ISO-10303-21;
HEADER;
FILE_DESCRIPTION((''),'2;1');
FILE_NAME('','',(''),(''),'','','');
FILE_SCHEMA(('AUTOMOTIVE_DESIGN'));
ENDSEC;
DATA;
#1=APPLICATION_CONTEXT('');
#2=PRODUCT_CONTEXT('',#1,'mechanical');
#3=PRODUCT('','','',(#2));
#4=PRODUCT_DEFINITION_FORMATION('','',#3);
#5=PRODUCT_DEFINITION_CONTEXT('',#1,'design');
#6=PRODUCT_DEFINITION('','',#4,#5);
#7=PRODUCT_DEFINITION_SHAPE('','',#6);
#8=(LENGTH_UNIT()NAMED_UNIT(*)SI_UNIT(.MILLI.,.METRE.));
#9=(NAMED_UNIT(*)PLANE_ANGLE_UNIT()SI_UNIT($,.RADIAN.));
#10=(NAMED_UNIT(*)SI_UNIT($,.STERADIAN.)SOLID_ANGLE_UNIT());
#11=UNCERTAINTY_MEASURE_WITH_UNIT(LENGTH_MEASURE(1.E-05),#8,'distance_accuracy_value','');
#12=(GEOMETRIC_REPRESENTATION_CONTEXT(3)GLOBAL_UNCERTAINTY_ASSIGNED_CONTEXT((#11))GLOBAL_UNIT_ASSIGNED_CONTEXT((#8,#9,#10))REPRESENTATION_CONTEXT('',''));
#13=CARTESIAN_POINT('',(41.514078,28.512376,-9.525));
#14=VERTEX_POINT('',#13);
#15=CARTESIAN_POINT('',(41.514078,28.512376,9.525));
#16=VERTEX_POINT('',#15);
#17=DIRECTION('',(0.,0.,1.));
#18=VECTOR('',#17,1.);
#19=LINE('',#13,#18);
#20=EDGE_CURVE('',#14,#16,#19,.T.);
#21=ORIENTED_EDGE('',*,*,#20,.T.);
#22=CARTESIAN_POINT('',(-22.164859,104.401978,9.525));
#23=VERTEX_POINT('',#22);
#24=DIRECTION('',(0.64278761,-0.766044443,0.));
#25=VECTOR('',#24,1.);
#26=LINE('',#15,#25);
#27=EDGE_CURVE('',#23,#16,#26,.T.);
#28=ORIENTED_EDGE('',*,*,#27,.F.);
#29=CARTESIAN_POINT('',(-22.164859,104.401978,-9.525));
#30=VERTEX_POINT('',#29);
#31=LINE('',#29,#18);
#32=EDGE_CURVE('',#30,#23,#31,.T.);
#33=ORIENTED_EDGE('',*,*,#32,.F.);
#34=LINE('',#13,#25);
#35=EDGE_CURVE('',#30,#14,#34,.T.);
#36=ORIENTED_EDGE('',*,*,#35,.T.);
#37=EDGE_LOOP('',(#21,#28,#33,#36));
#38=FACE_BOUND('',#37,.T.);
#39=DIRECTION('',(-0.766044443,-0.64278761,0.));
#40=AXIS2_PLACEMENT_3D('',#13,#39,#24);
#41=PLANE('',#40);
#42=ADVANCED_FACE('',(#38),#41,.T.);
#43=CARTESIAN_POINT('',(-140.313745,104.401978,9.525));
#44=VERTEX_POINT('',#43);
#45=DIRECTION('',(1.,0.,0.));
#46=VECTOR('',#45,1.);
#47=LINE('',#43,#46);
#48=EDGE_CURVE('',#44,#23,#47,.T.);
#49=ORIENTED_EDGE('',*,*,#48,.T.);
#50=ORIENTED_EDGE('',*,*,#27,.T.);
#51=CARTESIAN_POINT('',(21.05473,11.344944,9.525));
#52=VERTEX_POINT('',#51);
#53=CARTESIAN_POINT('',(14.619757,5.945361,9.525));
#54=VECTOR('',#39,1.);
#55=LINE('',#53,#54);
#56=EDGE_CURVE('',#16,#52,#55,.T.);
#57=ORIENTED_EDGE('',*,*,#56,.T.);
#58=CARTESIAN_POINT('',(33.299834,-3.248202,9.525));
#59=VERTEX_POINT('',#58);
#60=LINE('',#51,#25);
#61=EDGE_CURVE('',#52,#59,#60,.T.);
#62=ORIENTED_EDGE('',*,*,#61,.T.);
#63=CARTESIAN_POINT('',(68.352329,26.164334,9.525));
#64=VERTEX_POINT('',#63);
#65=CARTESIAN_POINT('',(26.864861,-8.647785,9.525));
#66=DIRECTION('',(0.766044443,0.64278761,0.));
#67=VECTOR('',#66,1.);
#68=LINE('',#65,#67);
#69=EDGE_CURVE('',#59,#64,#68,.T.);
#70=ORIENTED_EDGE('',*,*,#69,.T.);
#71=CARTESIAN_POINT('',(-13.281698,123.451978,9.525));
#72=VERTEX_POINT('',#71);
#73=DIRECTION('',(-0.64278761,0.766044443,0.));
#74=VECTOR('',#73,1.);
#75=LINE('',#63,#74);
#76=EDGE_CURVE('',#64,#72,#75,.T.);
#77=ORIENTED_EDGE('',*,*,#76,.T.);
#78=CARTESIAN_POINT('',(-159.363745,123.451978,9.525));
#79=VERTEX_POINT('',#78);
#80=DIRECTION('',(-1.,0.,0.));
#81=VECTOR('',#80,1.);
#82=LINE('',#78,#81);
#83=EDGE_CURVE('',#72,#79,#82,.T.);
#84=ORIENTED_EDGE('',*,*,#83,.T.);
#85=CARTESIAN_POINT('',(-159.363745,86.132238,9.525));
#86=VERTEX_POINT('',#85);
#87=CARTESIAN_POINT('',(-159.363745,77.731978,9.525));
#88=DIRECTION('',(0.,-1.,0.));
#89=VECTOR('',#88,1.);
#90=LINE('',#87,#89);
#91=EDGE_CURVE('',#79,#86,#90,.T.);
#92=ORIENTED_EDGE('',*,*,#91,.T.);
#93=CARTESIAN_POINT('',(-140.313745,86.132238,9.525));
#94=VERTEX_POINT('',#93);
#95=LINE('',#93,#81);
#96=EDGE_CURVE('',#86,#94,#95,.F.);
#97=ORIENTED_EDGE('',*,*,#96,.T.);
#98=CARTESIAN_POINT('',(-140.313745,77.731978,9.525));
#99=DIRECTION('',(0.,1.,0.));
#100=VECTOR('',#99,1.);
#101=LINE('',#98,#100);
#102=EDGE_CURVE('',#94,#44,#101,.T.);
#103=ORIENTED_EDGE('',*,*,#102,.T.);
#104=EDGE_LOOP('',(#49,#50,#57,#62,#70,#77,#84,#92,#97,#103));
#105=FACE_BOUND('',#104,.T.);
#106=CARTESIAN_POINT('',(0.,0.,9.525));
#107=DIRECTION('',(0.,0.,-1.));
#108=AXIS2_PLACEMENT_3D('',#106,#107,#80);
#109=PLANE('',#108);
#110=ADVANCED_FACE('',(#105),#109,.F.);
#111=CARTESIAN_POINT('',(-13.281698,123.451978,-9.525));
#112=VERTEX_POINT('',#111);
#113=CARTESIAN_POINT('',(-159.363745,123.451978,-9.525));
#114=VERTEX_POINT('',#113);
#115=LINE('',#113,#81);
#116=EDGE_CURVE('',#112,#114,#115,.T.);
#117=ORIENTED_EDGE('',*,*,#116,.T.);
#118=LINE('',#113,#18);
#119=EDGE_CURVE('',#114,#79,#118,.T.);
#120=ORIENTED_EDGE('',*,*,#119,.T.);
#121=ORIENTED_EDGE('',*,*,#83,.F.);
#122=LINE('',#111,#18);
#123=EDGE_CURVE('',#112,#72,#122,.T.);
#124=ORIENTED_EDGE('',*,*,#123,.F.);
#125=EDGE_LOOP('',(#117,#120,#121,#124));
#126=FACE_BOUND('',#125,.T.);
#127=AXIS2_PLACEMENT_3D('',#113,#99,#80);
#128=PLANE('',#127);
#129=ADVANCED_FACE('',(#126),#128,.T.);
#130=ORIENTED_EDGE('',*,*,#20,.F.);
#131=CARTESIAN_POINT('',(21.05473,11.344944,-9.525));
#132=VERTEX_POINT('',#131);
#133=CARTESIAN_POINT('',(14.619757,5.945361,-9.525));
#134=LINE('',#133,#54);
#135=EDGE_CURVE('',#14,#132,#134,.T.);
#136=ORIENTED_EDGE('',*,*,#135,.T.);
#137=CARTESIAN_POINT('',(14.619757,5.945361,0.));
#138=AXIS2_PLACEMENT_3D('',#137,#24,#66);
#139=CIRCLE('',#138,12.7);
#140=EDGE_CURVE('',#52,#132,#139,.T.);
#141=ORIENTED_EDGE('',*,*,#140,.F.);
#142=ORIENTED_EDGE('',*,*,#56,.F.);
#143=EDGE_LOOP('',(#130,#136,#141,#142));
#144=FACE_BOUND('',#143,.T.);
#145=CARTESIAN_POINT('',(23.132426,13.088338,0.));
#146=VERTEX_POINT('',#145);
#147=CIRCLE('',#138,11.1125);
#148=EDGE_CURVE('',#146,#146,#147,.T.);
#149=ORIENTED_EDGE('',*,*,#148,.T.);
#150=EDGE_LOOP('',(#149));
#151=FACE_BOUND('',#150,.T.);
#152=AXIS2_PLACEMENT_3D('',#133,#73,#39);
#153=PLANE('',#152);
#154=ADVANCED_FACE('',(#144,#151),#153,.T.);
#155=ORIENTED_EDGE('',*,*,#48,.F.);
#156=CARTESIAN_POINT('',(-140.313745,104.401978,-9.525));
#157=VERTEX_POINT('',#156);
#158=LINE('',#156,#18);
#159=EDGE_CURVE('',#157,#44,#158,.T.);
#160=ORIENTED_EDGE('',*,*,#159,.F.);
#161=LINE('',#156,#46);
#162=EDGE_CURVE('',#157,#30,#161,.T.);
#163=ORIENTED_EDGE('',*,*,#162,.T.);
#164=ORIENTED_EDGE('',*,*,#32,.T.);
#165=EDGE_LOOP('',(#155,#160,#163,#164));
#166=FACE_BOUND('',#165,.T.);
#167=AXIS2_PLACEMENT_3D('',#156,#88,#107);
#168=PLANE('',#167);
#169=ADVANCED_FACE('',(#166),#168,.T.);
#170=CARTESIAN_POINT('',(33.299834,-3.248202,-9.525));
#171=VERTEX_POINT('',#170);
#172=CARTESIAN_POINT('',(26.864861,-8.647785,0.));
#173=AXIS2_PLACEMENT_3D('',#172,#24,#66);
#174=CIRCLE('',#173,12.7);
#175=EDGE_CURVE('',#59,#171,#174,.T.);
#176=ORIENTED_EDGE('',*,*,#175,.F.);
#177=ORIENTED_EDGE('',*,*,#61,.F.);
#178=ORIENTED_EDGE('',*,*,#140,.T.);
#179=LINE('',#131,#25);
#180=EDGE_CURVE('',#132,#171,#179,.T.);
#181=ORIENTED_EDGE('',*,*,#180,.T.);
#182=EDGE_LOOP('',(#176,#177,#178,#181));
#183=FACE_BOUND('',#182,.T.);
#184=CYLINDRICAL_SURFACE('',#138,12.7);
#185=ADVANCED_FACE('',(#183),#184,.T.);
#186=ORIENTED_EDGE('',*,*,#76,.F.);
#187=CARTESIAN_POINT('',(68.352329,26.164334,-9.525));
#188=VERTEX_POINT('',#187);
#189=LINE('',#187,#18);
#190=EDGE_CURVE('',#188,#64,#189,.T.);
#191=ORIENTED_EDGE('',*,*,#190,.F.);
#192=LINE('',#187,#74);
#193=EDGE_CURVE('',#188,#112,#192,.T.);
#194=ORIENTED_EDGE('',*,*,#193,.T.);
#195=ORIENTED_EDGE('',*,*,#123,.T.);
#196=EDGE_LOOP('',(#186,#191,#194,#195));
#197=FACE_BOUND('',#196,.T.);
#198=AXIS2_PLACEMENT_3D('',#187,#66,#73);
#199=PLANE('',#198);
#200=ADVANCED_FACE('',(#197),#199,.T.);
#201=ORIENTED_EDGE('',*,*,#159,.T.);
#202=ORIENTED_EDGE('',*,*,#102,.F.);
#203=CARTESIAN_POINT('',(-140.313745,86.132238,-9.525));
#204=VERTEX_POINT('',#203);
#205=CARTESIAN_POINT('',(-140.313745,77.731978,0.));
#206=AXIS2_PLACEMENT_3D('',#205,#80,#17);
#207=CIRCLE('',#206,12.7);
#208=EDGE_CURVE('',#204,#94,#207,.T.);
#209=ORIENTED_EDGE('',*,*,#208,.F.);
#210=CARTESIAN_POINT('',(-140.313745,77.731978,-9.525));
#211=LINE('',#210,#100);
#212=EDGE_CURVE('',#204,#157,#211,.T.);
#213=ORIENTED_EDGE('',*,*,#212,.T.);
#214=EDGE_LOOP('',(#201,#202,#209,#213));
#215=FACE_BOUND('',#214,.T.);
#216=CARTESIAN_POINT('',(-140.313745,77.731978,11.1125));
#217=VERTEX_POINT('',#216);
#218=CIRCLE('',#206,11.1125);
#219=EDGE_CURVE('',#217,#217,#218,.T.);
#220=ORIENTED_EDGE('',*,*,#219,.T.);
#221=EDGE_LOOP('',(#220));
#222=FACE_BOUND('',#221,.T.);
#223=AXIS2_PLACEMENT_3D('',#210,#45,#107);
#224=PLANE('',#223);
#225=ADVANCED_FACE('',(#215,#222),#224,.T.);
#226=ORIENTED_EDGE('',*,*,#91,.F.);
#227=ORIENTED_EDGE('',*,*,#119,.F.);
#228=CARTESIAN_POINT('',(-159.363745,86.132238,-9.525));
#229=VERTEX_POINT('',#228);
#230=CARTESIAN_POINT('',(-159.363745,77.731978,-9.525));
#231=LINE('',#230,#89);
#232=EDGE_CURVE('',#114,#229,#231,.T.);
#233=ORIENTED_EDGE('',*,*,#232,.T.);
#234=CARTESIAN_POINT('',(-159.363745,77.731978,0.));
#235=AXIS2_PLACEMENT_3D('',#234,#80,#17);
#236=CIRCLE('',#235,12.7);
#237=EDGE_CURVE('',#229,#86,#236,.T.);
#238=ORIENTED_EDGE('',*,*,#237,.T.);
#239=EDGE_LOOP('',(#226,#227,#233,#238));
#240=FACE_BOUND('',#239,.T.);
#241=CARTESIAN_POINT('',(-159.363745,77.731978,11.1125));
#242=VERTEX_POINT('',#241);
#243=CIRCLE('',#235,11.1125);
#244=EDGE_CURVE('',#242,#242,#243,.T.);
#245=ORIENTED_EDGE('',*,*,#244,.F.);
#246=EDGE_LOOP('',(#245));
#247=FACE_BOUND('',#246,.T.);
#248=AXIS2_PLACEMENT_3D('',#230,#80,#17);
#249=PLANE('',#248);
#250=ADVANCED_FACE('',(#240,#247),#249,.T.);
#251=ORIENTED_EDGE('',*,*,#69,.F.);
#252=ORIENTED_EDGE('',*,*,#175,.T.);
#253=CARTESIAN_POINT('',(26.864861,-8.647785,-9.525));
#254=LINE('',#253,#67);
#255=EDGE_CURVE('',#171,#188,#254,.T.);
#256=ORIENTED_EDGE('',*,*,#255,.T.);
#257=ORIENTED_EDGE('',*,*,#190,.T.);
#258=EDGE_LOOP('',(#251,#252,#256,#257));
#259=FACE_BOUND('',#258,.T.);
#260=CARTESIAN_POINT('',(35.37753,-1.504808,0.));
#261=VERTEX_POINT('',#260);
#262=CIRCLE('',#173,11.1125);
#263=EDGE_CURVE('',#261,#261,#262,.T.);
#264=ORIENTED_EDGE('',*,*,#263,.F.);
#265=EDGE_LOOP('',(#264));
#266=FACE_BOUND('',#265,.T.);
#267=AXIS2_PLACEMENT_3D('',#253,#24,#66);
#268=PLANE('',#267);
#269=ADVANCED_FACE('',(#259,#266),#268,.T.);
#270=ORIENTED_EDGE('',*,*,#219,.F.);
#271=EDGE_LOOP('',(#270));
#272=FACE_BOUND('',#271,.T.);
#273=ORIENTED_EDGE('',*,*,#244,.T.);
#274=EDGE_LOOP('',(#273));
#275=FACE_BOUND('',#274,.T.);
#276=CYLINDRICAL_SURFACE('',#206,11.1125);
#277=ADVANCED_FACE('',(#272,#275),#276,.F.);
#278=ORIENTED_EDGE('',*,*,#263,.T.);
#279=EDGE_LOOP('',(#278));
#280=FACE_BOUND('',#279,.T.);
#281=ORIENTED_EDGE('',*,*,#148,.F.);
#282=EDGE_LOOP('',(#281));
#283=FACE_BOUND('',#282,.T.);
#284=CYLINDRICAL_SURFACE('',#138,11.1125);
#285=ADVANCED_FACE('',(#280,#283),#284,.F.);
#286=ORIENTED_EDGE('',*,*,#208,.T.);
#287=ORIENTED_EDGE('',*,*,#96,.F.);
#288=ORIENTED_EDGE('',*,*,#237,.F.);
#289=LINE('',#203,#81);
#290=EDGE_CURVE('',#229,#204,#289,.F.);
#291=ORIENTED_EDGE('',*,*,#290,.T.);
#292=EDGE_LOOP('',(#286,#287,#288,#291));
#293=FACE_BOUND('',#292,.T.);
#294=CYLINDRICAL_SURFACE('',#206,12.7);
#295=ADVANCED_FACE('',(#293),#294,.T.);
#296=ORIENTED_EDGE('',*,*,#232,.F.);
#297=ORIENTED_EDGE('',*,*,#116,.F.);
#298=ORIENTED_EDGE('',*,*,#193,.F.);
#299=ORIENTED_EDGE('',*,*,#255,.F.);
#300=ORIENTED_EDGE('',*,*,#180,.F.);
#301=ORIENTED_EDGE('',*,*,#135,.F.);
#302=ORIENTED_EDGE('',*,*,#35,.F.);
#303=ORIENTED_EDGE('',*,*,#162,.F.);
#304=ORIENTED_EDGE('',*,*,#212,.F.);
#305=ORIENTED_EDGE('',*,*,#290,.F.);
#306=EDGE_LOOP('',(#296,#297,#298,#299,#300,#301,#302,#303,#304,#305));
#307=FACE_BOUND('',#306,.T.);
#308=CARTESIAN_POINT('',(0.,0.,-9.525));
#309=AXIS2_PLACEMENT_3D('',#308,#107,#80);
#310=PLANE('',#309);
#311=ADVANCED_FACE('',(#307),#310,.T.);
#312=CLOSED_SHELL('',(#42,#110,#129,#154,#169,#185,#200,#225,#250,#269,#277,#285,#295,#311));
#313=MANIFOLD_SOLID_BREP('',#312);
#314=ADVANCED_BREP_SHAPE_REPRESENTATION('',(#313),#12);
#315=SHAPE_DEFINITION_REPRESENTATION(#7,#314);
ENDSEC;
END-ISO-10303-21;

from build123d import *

# Parameters (mm, degrees)
BOSS_EXTRUDE1_DEPTH      = 9.525
BOSS_EXTRUDE1_DEPTH_BACK = 9.525
SKETCH2_R                = 12.7
BOSS_EXTRUDE2_DEPTH      = 19.05
SKETCH3_R                = 12.7
BOSS_EXTRUDE3_DEPTH      = 19.05
SKETCH4_R                = 11.1125
CUT_EXTRUDE1_DEPTH       = 19.05
SKETCH5_R                = 11.1125
CUT_EXTRUDE2_DEPTH       = 19.05


with BuildPart() as part:
    # Sketch1 → Boss-Extrude1 (new, two sides: drawn at the far end of the back side and taken through both)
    with BuildSketch(Plane.XY.offset(-BOSS_EXTRUDE1_DEPTH_BACK)):
        Polygon((14.619756732, 5.945361145), (41.514078034, 28.51237623), (-22.164858678, 104.401977829), (-140.313745495, 104.401977829), (-140.313745495, 77.731977829), (-159.363745495, 77.731977829), (-159.363745495, 123.451977829), (-13.281697791, 123.451977829), (68.35232864, 26.164333553), (26.864860696, -8.647785497), align=None)
    extrude(amount=BOSS_EXTRUDE1_DEPTH + BOSS_EXTRUDE1_DEPTH_BACK)

    # Sketch2 → Boss-Extrude2 (add)
    with BuildSketch(Plane.ZY.offset(159.363745495)):
        with Locations((0, 77.731977829)):
            Circle(SKETCH2_R)
    extrude(amount=-BOSS_EXTRUDE2_DEPTH)

    # Sketch3 → Boss-Extrude3 (add)
    with BuildSketch(Plane(origin=(15.358116398, -18.303090393, 0), x_dir=(0.7660444431189792, 0.6427876096865379, 0), z_dir=(0.6427876096865379, -0.7660444431189792, 0))):
        with Locations((15.020987883, 0)):
            Circle(SKETCH3_R)
    extrude(amount=-BOSS_EXTRUDE3_DEPTH)

    # Sketch4 → Cut-Extrude1 (cut)
    with BuildSketch(Plane(origin=(15.358116398, -18.303090393, 0), x_dir=(0.7660444431189792, 0.6427876096865379, 0), z_dir=(0.6427876096865379, -0.7660444431189792, 0))):
        with Locations((15.020987883, 0)):
            Circle(SKETCH4_R)
    extrude(amount=-CUT_EXTRUDE1_DEPTH, mode=Mode.SUBTRACT)

    # Sketch5 → Cut-Extrude2 (cut)
    with BuildSketch(Plane.ZY.offset(159.363745495)):
        with Locations((0, 77.731977829)):
            Circle(SKETCH5_R)
    extrude(amount=-CUT_EXTRUDE2_DEPTH, mode=Mode.SUBTRACT)


solid = part.part
